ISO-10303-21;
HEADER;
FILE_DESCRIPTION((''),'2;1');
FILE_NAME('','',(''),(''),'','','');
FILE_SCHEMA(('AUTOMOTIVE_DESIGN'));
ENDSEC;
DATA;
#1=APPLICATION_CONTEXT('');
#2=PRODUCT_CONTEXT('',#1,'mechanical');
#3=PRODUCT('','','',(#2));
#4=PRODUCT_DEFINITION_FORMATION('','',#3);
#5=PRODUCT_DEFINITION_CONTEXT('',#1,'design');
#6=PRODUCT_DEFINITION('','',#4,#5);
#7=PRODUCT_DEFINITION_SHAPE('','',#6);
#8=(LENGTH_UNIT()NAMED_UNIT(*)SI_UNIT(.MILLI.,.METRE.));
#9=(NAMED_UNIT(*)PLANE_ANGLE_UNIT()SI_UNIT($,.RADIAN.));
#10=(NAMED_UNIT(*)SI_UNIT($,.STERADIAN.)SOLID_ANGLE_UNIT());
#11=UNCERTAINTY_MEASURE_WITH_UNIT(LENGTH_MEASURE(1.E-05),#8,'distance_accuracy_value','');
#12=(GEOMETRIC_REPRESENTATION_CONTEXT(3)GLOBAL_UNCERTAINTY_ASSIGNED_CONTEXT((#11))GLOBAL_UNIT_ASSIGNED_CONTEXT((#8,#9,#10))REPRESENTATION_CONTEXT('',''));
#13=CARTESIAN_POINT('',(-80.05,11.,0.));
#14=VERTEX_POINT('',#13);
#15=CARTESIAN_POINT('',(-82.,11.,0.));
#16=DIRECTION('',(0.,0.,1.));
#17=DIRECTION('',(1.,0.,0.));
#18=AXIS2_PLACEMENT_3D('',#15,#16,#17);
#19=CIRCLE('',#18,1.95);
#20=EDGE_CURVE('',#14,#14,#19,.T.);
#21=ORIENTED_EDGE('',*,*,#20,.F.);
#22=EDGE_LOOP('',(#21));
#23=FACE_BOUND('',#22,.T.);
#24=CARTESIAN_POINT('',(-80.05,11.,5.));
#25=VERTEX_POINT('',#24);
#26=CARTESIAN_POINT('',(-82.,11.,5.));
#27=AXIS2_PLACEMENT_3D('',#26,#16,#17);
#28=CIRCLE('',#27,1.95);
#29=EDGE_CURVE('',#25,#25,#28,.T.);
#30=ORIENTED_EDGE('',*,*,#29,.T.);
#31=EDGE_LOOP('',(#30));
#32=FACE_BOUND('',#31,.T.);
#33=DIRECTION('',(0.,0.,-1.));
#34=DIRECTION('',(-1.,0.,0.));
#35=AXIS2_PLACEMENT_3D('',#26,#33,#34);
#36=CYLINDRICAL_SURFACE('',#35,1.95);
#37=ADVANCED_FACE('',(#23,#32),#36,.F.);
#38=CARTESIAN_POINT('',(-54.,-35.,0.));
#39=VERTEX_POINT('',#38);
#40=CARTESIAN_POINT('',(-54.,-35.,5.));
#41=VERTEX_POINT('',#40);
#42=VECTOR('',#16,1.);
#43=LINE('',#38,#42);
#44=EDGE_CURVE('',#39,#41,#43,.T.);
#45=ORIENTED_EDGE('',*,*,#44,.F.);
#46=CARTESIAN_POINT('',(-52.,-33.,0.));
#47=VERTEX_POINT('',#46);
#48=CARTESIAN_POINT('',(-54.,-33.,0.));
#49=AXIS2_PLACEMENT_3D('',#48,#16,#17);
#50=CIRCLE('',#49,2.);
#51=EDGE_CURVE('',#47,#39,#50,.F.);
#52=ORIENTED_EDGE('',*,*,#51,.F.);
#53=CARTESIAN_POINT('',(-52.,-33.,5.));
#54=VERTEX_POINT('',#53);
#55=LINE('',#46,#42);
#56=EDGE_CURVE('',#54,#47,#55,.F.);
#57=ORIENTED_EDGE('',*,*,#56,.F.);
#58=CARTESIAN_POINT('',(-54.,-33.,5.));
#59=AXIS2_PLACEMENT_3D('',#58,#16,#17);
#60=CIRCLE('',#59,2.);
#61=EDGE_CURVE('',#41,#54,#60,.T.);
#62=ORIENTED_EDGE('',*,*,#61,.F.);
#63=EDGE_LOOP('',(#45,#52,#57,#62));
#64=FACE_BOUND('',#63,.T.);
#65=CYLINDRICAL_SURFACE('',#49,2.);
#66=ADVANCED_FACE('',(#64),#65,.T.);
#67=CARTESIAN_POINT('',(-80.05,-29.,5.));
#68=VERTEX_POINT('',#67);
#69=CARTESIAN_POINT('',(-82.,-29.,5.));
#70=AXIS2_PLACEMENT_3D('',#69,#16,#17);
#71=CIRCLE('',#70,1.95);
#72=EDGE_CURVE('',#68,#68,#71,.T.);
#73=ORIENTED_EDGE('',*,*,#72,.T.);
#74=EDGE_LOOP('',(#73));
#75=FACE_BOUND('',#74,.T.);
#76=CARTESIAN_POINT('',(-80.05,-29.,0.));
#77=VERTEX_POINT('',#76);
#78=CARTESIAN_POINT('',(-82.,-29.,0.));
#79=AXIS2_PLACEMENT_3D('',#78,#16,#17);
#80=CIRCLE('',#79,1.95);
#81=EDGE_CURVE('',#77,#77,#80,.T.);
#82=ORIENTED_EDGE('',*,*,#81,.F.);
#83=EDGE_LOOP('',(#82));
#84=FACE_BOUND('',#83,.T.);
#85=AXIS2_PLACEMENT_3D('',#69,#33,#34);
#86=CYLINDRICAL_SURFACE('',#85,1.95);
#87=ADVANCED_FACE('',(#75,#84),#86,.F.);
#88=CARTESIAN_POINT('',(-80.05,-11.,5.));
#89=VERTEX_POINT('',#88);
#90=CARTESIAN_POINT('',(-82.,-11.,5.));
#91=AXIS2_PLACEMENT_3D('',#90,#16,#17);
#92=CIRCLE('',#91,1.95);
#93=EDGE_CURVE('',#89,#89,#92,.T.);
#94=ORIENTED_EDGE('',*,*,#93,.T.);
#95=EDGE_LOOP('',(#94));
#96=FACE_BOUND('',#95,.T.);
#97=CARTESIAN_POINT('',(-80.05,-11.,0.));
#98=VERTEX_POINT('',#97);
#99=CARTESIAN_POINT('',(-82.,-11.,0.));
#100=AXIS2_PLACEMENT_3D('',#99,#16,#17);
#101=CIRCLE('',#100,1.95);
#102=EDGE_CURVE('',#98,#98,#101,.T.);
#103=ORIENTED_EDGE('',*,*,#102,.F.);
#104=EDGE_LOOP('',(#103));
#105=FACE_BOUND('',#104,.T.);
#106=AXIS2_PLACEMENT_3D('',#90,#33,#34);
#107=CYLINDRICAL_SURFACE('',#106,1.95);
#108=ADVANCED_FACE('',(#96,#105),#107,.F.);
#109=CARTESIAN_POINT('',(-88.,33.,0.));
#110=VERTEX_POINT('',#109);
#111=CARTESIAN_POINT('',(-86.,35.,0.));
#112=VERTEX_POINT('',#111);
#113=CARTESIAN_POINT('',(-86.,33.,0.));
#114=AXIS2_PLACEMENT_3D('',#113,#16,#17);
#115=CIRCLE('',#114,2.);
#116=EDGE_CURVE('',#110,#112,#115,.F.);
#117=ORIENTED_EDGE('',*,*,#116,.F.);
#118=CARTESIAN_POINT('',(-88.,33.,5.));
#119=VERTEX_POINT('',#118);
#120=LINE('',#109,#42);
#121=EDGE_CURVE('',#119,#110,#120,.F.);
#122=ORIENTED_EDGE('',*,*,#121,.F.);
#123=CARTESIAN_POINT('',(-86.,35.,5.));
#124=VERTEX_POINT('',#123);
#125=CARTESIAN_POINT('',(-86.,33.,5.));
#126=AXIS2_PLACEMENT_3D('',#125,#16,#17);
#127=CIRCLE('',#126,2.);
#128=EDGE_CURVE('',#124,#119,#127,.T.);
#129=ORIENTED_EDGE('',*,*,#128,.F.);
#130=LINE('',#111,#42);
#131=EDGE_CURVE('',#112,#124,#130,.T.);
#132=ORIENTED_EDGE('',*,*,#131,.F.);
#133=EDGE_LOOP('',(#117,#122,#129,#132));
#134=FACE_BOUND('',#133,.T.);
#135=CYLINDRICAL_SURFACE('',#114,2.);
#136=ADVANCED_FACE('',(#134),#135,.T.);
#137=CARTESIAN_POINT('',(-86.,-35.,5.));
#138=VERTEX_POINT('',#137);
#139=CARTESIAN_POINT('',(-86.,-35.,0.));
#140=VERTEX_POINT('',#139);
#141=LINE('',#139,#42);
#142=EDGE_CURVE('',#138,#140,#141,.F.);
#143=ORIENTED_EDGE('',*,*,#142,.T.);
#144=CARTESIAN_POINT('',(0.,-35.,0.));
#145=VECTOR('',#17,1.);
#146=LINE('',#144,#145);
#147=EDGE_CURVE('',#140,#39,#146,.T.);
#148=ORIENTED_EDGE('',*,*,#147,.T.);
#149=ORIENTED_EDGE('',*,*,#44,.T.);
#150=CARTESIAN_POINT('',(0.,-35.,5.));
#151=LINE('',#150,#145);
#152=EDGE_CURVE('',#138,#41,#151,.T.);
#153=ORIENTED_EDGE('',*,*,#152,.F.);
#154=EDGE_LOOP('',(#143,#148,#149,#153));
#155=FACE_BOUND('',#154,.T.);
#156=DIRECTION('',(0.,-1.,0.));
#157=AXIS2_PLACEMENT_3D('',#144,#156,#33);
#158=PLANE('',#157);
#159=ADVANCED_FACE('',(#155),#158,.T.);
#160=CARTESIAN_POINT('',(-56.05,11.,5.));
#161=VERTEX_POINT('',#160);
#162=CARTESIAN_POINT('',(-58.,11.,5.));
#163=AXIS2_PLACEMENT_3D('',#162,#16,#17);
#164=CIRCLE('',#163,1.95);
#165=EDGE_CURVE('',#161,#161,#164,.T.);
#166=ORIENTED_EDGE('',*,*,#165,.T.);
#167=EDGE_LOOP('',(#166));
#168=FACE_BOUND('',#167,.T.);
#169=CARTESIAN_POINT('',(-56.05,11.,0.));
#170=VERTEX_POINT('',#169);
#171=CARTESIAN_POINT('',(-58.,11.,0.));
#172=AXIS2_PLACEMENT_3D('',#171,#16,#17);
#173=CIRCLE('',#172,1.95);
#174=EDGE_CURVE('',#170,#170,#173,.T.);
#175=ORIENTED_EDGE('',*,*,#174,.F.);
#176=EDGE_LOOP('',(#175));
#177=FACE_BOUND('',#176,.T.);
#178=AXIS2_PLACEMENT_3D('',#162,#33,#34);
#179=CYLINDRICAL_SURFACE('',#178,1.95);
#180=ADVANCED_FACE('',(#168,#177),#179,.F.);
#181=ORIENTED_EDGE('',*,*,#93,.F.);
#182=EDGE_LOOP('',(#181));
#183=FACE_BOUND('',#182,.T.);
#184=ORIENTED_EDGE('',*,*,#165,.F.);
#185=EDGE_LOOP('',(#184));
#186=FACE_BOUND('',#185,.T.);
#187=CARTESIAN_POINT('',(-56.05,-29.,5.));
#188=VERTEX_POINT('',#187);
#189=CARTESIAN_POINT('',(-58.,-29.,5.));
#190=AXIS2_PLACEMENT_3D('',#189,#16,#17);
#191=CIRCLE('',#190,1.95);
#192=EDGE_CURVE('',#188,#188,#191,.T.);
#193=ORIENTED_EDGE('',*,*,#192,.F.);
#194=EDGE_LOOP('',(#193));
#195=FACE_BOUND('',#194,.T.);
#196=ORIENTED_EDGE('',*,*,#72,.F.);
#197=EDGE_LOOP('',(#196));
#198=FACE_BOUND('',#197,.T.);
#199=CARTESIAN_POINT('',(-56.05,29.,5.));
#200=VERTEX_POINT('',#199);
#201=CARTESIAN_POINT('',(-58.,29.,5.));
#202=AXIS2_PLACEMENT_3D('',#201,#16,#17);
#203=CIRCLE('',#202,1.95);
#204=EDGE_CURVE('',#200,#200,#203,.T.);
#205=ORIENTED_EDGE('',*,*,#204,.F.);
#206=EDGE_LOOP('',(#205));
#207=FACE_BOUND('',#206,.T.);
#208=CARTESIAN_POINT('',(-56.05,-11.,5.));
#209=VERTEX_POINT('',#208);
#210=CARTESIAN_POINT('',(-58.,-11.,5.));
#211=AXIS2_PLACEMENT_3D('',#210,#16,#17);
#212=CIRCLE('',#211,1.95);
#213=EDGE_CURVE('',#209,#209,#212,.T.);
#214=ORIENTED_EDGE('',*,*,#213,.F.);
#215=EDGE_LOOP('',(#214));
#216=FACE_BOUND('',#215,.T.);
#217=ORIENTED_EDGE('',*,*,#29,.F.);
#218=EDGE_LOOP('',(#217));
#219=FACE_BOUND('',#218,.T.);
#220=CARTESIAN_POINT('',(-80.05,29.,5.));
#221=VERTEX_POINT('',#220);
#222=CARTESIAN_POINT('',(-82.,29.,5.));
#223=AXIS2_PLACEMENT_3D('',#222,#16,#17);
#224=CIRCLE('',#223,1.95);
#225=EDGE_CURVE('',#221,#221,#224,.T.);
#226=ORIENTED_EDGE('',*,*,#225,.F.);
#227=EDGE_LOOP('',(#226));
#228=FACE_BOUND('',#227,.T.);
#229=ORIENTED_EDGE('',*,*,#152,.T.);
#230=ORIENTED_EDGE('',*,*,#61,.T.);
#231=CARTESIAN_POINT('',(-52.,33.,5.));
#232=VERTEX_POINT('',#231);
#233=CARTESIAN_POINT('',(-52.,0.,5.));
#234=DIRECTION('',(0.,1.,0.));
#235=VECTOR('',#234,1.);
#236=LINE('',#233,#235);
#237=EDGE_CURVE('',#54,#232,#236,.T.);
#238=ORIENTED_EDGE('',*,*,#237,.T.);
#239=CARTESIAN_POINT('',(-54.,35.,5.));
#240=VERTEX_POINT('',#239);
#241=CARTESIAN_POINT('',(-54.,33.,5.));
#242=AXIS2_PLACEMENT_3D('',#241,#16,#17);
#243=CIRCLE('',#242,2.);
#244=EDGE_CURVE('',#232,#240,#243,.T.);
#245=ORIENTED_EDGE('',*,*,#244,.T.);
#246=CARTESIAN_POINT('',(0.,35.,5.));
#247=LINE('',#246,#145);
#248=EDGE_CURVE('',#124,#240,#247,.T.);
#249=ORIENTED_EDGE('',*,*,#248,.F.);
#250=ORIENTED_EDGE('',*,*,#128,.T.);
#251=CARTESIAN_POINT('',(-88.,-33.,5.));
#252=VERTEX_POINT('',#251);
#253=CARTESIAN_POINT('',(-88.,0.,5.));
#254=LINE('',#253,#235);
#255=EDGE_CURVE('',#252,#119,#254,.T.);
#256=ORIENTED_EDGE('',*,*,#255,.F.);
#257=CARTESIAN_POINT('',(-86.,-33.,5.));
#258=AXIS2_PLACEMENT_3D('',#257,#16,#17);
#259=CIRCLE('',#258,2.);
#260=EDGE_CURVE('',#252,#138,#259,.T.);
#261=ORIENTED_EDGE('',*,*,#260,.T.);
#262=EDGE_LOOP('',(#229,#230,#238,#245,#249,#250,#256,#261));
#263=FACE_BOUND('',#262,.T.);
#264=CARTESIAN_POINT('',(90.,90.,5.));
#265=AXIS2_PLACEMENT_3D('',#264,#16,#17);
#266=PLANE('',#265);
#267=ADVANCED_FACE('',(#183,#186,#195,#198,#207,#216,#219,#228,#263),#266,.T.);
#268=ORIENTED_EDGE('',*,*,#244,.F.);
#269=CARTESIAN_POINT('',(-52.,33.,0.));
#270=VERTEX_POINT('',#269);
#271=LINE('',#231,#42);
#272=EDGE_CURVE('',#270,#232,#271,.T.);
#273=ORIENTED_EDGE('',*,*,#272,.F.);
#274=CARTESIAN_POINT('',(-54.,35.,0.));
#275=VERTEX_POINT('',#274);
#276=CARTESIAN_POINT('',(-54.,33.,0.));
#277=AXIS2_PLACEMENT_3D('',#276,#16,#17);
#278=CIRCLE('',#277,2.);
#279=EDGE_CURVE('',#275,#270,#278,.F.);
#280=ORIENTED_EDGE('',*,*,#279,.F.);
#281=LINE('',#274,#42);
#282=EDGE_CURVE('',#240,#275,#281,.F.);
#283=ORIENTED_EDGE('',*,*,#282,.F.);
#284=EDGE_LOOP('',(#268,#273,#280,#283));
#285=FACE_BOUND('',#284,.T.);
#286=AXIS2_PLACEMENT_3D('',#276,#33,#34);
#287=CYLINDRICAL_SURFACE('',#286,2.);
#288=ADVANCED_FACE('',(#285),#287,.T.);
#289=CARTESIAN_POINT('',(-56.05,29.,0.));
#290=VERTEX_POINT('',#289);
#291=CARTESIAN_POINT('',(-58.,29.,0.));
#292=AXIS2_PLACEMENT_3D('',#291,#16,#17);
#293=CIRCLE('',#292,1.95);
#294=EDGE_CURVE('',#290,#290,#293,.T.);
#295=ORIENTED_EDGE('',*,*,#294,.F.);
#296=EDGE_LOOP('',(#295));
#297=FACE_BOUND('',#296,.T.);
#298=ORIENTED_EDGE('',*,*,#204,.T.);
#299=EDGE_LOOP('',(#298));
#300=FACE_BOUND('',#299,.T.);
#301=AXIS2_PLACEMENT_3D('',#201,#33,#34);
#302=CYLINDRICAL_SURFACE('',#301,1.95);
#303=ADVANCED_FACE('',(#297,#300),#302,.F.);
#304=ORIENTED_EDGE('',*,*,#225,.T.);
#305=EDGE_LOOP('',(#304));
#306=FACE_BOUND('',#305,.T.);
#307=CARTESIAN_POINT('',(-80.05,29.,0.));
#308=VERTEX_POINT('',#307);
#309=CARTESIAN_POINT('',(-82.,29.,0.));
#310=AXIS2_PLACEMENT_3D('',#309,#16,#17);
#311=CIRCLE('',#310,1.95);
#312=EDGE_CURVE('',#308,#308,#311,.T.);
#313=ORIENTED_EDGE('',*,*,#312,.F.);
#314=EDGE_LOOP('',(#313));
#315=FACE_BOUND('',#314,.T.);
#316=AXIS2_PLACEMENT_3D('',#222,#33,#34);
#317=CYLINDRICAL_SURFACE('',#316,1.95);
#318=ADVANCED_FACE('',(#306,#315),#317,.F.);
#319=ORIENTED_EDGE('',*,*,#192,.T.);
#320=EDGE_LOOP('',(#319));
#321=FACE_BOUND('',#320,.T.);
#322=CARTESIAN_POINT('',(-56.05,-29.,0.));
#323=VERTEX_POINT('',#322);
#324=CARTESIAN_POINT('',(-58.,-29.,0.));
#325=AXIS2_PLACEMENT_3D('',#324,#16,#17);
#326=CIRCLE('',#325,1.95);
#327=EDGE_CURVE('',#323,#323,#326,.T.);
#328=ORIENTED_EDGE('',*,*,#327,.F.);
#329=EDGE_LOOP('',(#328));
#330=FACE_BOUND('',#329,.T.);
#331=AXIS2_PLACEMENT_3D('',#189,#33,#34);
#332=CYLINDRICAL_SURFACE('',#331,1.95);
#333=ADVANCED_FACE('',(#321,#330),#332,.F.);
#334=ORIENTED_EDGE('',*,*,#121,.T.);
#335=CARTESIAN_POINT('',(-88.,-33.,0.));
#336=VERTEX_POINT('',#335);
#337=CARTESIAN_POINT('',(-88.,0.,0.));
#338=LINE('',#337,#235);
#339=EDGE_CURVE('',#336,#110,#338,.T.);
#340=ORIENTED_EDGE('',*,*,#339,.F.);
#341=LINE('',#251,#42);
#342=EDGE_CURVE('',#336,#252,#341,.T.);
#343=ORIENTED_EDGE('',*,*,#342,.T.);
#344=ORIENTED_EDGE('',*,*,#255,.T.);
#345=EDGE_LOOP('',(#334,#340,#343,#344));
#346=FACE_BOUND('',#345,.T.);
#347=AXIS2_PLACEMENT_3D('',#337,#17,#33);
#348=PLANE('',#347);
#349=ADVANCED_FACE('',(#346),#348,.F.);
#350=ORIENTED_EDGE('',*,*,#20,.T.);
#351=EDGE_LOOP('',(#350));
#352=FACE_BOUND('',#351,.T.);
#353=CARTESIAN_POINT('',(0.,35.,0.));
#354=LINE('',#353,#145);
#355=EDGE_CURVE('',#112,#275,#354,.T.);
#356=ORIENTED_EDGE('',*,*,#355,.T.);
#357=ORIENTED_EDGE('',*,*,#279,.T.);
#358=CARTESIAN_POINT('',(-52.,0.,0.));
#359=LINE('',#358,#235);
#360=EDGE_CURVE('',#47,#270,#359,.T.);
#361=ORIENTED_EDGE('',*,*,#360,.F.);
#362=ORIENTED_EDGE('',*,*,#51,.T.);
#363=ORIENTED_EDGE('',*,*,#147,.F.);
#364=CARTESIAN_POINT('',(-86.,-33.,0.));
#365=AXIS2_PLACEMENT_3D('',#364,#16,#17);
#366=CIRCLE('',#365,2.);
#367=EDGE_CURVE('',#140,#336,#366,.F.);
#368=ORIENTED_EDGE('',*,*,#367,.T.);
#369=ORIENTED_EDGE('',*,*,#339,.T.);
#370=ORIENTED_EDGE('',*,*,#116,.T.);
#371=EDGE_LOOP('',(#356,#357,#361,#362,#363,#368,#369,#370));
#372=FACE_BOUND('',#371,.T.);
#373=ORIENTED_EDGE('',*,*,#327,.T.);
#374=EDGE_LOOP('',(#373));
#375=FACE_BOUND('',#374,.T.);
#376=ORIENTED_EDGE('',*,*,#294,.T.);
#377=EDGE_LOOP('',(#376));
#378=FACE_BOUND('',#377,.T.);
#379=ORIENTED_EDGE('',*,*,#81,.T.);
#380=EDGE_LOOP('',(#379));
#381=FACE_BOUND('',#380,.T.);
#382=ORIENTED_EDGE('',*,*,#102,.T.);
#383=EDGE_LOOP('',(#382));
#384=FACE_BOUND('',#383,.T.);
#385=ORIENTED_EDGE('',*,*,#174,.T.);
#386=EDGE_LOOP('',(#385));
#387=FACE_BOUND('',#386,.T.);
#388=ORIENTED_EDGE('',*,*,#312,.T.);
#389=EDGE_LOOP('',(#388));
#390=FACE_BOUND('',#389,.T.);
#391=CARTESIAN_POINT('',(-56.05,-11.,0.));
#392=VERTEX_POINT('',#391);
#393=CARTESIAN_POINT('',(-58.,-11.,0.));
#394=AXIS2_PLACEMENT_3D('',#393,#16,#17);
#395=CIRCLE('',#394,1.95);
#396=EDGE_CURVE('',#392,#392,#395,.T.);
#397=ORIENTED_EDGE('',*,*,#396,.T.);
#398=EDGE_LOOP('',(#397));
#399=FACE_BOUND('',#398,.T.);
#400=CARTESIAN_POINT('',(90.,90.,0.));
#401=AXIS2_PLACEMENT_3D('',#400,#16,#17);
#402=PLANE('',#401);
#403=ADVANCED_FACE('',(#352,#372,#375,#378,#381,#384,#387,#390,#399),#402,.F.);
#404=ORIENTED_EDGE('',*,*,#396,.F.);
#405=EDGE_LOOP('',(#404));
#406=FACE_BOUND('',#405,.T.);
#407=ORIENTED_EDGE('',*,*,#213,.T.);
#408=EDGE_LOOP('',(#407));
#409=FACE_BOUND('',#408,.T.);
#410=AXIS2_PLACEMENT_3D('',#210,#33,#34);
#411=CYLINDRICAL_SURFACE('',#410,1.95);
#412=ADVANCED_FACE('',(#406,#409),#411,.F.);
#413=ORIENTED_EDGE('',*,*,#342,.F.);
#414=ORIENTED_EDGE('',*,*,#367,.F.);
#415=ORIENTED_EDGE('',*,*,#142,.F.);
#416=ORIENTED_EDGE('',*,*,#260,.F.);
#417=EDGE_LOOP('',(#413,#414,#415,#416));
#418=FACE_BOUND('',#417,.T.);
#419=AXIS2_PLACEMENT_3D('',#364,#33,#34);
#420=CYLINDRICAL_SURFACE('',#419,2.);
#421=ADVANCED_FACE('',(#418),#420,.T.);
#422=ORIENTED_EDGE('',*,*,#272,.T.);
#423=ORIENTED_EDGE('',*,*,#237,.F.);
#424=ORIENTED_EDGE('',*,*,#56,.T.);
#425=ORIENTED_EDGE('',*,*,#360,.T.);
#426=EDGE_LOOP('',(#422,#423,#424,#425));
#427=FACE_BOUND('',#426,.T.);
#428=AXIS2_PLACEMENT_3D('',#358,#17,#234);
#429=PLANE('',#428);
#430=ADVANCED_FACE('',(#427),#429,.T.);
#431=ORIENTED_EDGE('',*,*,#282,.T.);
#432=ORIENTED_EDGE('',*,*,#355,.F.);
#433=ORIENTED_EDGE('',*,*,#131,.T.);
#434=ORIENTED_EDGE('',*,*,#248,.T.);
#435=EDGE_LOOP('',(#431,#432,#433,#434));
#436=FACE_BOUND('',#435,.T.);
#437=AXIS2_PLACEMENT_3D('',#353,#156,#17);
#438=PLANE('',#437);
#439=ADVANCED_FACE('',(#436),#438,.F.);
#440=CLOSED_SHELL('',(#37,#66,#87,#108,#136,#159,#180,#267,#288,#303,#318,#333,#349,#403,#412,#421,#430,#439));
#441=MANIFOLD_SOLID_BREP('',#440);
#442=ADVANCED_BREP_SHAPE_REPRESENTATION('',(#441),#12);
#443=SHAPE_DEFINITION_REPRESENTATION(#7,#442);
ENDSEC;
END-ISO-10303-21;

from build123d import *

# Parameters (mm, degrees)
SKETCH1_R           = 2
SKETCH1_R_2         = 1.95
SKETCH1_R_3         = 1.5
BOSS_EXTRUDE1_DEPTH = 5
SKETCH2_R           = 1.5
SKETCH2_R_2         = 1.95
SKETCH2_R_3         = 2
SKETCH2_W           = 36
SKETCH2_H           = 70
CUT_EXTRUDE1_DEPTH  = 142.509716981
FILLET1_R           = 2


with BuildPart() as part:
    # Sketch1 → Boss-Extrude1 (new body)
    with BuildSketch(Plane.XY):
        with BuildLine():
            Line((-90, 100), (-70, 100))
            Line((-70, 100), (-14.884168151, 68.505238943))
            ThreePointArc((-14.884168151, 68.505238943), (0, 64.552533207), (14.884168151, 68.505238943))
            Line((14.884168151, 68.505238943), (70, 100))
            Line((70, 100), (90, 100))
            ThreePointArc((90, 100), (97.071067812, 97.071067812), (100, 90))
            Line((100, 90), (100, 29))
            Line((100, 29), (93.372317414, 9.7797205))
            ThreePointArc((93.372317414, 9.7797205), (91.733506862, 0), (93.372317414, -9.7797205))
            Line((93.372317414, -9.7797205), (100, -29))
            Line((100, -29), (100, -90))
            ThreePointArc((100, -90), (97.071067812, -97.071067812), (90, -100))
            Line((90, -100), (70, -100))
            Line((70, -100), (14.884168151, -68.505238943))
            ThreePointArc((14.884168151, -68.505238943), (0, -64.552533207), (-14.884168151, -68.505238943))
            Line((-14.884168151, -68.505238943), (-70, -100))
            Line((-70, -100), (-90, -100))
            ThreePointArc((-90, -100), (-97.071067812, -97.071067812), (-100, -90))
            Line((-100, -90), (-100, -29))
            Line((-100, -29), (-93.372317414, -9.7797205))
            ThreePointArc((-93.372317414, -9.7797205), (-91.733506862, 0), (-93.372317414, 9.7797205))
            Line((-93.372317414, 9.7797205), (-100, 29))
            Line((-100, 29), (-100, 90))
            ThreePointArc((-100, 90), (-97.071067812, 97.071067812), (-90, 100))
        make_face()
        with Locations((-91.923881554, 91.923881554)):
            Circle(SKETCH1_R, mode=Mode.SUBTRACT)
        with Locations((91.923881554, 91.923881554)):
            Circle(SKETCH1_R, mode=Mode.SUBTRACT)
        with Locations((91.923881554, -91.923881554)):
            Circle(SKETCH1_R, mode=Mode.SUBTRACT)
        with Locations((-91.923881554, -91.923881554)):
            Circle(SKETCH1_R, mode=Mode.SUBTRACT)
        with Locations((58, 29)):
            Circle(SKETCH1_R_2, mode=Mode.SUBTRACT)
        with Locations((82, 29)):
            Circle(SKETCH1_R_2, mode=Mode.SUBTRACT)
        with Locations((58, 11)):
            Circle(SKETCH1_R_2, mode=Mode.SUBTRACT)
        with Locations((82, 11)):
            Circle(SKETCH1_R_2, mode=Mode.SUBTRACT)
        with Locations((58, -11)):
            Circle(SKETCH1_R_2, mode=Mode.SUBTRACT)
        with Locations((58, -29)):
            Circle(SKETCH1_R_2, mode=Mode.SUBTRACT)
        with Locations((82, -11)):
            Circle(SKETCH1_R_2, mode=Mode.SUBTRACT)
        with Locations((82, -29)):
            Circle(SKETCH1_R_2, mode=Mode.SUBTRACT)
        with Locations((-82, 29)):
            Circle(SKETCH1_R_2, mode=Mode.SUBTRACT)
        with Locations((-58, 29)):
            Circle(SKETCH1_R_2, mode=Mode.SUBTRACT)
        with Locations((-82, 11)):
            Circle(SKETCH1_R_2, mode=Mode.SUBTRACT)
        with Locations((-58, 11)):
            Circle(SKETCH1_R_2, mode=Mode.SUBTRACT)
        with Locations((-82, -11)):
            Circle(SKETCH1_R_2, mode=Mode.SUBTRACT)
        with Locations((-82, -29)):
            Circle(SKETCH1_R_2, mode=Mode.SUBTRACT)
        with Locations((-58, -11)):
            Circle(SKETCH1_R_2, mode=Mode.SUBTRACT)
        with Locations((-58, -29)):
            Circle(SKETCH1_R_2, mode=Mode.SUBTRACT)
        with Locations((-6, 10)):
            Circle(SKETCH1_R_3, mode=Mode.SUBTRACT)
        with Locations((6, 10)):
            Circle(SKETCH1_R_3, mode=Mode.SUBTRACT)
        with Locations((-6, -10)):
            Circle(SKETCH1_R_3, mode=Mode.SUBTRACT)
        with Locations((6, -10)):
            Circle(SKETCH1_R_3, mode=Mode.SUBTRACT)
    extrude(amount=BOSS_EXTRUDE1_DEPTH)

    # Sketch2 → Cut-Extrude1 (cut, through all)
    with BuildSketch(Plane.XY.offset(5)):
        with BuildLine():
            Line((100, 29), (100, 90))
            ThreePointArc((100, 90), (97.071067812, 97.071067812), (90, 100))
            Line((90, 100), (70, 100))
            Line((70, 100), (14.884168151, 68.505238943))
            ThreePointArc((14.884168151, 68.505238943), (0, 64.552533207), (-14.884168151, 68.505238943))
            Line((-14.884168151, 68.505238943), (-70, 100))
            Line((-70, 100), (-90, 100))
            ThreePointArc((-90, 100), (-97.071067812, 97.071067812), (-100, 90))
            Line((-100, 90), (-100, 29))
            Line((-100, 29), (-93.372317414, 9.7797205))
            ThreePointArc((-93.372317414, 9.7797205), (-91.733506862, 0), (-93.372317414, -9.7797205))
            Line((-93.372317414, -9.7797205), (-100, -29))
            Line((-100, -29), (-100, -90))
            ThreePointArc((-100, -90), (-97.071067812, -97.071067812), (-90, -100))
            Line((-90, -100), (-70, -100))
            Line((-70, -100), (-14.884168151, -68.505238943))
            ThreePointArc((-14.884168151, -68.505238943), (0, -64.552533207), (14.884168151, -68.505238943))
            Line((14.884168151, -68.505238943), (70, -100))
            Line((70, -100), (90, -100))
            ThreePointArc((90, -100), (97.071067812, -97.071067812), (100, -90))
            Line((100, -90), (100, -29))
            Line((100, -29), (93.372317414, -9.7797205))
            ThreePointArc((93.372317414, -9.7797205), (91.733506862, 0), (93.372317414, 9.7797205))
            Line((93.372317414, 9.7797205), (100, 29))
        make_face()
        with Locations((-6, 10)):
            Circle(SKETCH2_R, mode=Mode.SUBTRACT)
        with Locations((58, -11)):
            Circle(SKETCH2_R_2, mode=Mode.SUBTRACT)
        with Locations((58, 29)):
            Circle(SKETCH2_R_2, mode=Mode.SUBTRACT)
        with Locations((-91.923881554, 91.923881554)):
            Circle(SKETCH2_R_3, mode=Mode.SUBTRACT)
        with Locations((91.923881554, 91.923881554)):
            Circle(SKETCH2_R_3, mode=Mode.SUBTRACT)
        with Locations((82, 29)):
            Circle(SKETCH2_R_2, mode=Mode.SUBTRACT)
        with Locations((58, -29)):
            Circle(SKETCH2_R_2, mode=Mode.SUBTRACT)
        with Locations((6, 10)):
            Circle(SKETCH2_R, mode=Mode.SUBTRACT)
        with Locations((6, -10)):
            Circle(SKETCH2_R, mode=Mode.SUBTRACT)
        with Locations((82, -29)):
            Circle(SKETCH2_R_2, mode=Mode.SUBTRACT)
        with Locations((82, 11)):
            Circle(SKETCH2_R_2, mode=Mode.SUBTRACT)
        with Locations((-70, 0)):
            Rectangle(SKETCH2_W, SKETCH2_H, mode=Mode.SUBTRACT)
    extrude(amount=-CUT_EXTRUDE1_DEPTH, mode=Mode.SUBTRACT)

    # Fillet1
    fillet1_edges = [part.edges().sort_by_distance(p)[0] for p in [
        (-52, -35, 2.5),
        (-52, 35, 2.5),
        (-88, 35, 2.5),
        (-88, -35, 2.5),
    ]]
    fillet(fillet1_edges, radius=FILLET1_R)


solid = part.part
